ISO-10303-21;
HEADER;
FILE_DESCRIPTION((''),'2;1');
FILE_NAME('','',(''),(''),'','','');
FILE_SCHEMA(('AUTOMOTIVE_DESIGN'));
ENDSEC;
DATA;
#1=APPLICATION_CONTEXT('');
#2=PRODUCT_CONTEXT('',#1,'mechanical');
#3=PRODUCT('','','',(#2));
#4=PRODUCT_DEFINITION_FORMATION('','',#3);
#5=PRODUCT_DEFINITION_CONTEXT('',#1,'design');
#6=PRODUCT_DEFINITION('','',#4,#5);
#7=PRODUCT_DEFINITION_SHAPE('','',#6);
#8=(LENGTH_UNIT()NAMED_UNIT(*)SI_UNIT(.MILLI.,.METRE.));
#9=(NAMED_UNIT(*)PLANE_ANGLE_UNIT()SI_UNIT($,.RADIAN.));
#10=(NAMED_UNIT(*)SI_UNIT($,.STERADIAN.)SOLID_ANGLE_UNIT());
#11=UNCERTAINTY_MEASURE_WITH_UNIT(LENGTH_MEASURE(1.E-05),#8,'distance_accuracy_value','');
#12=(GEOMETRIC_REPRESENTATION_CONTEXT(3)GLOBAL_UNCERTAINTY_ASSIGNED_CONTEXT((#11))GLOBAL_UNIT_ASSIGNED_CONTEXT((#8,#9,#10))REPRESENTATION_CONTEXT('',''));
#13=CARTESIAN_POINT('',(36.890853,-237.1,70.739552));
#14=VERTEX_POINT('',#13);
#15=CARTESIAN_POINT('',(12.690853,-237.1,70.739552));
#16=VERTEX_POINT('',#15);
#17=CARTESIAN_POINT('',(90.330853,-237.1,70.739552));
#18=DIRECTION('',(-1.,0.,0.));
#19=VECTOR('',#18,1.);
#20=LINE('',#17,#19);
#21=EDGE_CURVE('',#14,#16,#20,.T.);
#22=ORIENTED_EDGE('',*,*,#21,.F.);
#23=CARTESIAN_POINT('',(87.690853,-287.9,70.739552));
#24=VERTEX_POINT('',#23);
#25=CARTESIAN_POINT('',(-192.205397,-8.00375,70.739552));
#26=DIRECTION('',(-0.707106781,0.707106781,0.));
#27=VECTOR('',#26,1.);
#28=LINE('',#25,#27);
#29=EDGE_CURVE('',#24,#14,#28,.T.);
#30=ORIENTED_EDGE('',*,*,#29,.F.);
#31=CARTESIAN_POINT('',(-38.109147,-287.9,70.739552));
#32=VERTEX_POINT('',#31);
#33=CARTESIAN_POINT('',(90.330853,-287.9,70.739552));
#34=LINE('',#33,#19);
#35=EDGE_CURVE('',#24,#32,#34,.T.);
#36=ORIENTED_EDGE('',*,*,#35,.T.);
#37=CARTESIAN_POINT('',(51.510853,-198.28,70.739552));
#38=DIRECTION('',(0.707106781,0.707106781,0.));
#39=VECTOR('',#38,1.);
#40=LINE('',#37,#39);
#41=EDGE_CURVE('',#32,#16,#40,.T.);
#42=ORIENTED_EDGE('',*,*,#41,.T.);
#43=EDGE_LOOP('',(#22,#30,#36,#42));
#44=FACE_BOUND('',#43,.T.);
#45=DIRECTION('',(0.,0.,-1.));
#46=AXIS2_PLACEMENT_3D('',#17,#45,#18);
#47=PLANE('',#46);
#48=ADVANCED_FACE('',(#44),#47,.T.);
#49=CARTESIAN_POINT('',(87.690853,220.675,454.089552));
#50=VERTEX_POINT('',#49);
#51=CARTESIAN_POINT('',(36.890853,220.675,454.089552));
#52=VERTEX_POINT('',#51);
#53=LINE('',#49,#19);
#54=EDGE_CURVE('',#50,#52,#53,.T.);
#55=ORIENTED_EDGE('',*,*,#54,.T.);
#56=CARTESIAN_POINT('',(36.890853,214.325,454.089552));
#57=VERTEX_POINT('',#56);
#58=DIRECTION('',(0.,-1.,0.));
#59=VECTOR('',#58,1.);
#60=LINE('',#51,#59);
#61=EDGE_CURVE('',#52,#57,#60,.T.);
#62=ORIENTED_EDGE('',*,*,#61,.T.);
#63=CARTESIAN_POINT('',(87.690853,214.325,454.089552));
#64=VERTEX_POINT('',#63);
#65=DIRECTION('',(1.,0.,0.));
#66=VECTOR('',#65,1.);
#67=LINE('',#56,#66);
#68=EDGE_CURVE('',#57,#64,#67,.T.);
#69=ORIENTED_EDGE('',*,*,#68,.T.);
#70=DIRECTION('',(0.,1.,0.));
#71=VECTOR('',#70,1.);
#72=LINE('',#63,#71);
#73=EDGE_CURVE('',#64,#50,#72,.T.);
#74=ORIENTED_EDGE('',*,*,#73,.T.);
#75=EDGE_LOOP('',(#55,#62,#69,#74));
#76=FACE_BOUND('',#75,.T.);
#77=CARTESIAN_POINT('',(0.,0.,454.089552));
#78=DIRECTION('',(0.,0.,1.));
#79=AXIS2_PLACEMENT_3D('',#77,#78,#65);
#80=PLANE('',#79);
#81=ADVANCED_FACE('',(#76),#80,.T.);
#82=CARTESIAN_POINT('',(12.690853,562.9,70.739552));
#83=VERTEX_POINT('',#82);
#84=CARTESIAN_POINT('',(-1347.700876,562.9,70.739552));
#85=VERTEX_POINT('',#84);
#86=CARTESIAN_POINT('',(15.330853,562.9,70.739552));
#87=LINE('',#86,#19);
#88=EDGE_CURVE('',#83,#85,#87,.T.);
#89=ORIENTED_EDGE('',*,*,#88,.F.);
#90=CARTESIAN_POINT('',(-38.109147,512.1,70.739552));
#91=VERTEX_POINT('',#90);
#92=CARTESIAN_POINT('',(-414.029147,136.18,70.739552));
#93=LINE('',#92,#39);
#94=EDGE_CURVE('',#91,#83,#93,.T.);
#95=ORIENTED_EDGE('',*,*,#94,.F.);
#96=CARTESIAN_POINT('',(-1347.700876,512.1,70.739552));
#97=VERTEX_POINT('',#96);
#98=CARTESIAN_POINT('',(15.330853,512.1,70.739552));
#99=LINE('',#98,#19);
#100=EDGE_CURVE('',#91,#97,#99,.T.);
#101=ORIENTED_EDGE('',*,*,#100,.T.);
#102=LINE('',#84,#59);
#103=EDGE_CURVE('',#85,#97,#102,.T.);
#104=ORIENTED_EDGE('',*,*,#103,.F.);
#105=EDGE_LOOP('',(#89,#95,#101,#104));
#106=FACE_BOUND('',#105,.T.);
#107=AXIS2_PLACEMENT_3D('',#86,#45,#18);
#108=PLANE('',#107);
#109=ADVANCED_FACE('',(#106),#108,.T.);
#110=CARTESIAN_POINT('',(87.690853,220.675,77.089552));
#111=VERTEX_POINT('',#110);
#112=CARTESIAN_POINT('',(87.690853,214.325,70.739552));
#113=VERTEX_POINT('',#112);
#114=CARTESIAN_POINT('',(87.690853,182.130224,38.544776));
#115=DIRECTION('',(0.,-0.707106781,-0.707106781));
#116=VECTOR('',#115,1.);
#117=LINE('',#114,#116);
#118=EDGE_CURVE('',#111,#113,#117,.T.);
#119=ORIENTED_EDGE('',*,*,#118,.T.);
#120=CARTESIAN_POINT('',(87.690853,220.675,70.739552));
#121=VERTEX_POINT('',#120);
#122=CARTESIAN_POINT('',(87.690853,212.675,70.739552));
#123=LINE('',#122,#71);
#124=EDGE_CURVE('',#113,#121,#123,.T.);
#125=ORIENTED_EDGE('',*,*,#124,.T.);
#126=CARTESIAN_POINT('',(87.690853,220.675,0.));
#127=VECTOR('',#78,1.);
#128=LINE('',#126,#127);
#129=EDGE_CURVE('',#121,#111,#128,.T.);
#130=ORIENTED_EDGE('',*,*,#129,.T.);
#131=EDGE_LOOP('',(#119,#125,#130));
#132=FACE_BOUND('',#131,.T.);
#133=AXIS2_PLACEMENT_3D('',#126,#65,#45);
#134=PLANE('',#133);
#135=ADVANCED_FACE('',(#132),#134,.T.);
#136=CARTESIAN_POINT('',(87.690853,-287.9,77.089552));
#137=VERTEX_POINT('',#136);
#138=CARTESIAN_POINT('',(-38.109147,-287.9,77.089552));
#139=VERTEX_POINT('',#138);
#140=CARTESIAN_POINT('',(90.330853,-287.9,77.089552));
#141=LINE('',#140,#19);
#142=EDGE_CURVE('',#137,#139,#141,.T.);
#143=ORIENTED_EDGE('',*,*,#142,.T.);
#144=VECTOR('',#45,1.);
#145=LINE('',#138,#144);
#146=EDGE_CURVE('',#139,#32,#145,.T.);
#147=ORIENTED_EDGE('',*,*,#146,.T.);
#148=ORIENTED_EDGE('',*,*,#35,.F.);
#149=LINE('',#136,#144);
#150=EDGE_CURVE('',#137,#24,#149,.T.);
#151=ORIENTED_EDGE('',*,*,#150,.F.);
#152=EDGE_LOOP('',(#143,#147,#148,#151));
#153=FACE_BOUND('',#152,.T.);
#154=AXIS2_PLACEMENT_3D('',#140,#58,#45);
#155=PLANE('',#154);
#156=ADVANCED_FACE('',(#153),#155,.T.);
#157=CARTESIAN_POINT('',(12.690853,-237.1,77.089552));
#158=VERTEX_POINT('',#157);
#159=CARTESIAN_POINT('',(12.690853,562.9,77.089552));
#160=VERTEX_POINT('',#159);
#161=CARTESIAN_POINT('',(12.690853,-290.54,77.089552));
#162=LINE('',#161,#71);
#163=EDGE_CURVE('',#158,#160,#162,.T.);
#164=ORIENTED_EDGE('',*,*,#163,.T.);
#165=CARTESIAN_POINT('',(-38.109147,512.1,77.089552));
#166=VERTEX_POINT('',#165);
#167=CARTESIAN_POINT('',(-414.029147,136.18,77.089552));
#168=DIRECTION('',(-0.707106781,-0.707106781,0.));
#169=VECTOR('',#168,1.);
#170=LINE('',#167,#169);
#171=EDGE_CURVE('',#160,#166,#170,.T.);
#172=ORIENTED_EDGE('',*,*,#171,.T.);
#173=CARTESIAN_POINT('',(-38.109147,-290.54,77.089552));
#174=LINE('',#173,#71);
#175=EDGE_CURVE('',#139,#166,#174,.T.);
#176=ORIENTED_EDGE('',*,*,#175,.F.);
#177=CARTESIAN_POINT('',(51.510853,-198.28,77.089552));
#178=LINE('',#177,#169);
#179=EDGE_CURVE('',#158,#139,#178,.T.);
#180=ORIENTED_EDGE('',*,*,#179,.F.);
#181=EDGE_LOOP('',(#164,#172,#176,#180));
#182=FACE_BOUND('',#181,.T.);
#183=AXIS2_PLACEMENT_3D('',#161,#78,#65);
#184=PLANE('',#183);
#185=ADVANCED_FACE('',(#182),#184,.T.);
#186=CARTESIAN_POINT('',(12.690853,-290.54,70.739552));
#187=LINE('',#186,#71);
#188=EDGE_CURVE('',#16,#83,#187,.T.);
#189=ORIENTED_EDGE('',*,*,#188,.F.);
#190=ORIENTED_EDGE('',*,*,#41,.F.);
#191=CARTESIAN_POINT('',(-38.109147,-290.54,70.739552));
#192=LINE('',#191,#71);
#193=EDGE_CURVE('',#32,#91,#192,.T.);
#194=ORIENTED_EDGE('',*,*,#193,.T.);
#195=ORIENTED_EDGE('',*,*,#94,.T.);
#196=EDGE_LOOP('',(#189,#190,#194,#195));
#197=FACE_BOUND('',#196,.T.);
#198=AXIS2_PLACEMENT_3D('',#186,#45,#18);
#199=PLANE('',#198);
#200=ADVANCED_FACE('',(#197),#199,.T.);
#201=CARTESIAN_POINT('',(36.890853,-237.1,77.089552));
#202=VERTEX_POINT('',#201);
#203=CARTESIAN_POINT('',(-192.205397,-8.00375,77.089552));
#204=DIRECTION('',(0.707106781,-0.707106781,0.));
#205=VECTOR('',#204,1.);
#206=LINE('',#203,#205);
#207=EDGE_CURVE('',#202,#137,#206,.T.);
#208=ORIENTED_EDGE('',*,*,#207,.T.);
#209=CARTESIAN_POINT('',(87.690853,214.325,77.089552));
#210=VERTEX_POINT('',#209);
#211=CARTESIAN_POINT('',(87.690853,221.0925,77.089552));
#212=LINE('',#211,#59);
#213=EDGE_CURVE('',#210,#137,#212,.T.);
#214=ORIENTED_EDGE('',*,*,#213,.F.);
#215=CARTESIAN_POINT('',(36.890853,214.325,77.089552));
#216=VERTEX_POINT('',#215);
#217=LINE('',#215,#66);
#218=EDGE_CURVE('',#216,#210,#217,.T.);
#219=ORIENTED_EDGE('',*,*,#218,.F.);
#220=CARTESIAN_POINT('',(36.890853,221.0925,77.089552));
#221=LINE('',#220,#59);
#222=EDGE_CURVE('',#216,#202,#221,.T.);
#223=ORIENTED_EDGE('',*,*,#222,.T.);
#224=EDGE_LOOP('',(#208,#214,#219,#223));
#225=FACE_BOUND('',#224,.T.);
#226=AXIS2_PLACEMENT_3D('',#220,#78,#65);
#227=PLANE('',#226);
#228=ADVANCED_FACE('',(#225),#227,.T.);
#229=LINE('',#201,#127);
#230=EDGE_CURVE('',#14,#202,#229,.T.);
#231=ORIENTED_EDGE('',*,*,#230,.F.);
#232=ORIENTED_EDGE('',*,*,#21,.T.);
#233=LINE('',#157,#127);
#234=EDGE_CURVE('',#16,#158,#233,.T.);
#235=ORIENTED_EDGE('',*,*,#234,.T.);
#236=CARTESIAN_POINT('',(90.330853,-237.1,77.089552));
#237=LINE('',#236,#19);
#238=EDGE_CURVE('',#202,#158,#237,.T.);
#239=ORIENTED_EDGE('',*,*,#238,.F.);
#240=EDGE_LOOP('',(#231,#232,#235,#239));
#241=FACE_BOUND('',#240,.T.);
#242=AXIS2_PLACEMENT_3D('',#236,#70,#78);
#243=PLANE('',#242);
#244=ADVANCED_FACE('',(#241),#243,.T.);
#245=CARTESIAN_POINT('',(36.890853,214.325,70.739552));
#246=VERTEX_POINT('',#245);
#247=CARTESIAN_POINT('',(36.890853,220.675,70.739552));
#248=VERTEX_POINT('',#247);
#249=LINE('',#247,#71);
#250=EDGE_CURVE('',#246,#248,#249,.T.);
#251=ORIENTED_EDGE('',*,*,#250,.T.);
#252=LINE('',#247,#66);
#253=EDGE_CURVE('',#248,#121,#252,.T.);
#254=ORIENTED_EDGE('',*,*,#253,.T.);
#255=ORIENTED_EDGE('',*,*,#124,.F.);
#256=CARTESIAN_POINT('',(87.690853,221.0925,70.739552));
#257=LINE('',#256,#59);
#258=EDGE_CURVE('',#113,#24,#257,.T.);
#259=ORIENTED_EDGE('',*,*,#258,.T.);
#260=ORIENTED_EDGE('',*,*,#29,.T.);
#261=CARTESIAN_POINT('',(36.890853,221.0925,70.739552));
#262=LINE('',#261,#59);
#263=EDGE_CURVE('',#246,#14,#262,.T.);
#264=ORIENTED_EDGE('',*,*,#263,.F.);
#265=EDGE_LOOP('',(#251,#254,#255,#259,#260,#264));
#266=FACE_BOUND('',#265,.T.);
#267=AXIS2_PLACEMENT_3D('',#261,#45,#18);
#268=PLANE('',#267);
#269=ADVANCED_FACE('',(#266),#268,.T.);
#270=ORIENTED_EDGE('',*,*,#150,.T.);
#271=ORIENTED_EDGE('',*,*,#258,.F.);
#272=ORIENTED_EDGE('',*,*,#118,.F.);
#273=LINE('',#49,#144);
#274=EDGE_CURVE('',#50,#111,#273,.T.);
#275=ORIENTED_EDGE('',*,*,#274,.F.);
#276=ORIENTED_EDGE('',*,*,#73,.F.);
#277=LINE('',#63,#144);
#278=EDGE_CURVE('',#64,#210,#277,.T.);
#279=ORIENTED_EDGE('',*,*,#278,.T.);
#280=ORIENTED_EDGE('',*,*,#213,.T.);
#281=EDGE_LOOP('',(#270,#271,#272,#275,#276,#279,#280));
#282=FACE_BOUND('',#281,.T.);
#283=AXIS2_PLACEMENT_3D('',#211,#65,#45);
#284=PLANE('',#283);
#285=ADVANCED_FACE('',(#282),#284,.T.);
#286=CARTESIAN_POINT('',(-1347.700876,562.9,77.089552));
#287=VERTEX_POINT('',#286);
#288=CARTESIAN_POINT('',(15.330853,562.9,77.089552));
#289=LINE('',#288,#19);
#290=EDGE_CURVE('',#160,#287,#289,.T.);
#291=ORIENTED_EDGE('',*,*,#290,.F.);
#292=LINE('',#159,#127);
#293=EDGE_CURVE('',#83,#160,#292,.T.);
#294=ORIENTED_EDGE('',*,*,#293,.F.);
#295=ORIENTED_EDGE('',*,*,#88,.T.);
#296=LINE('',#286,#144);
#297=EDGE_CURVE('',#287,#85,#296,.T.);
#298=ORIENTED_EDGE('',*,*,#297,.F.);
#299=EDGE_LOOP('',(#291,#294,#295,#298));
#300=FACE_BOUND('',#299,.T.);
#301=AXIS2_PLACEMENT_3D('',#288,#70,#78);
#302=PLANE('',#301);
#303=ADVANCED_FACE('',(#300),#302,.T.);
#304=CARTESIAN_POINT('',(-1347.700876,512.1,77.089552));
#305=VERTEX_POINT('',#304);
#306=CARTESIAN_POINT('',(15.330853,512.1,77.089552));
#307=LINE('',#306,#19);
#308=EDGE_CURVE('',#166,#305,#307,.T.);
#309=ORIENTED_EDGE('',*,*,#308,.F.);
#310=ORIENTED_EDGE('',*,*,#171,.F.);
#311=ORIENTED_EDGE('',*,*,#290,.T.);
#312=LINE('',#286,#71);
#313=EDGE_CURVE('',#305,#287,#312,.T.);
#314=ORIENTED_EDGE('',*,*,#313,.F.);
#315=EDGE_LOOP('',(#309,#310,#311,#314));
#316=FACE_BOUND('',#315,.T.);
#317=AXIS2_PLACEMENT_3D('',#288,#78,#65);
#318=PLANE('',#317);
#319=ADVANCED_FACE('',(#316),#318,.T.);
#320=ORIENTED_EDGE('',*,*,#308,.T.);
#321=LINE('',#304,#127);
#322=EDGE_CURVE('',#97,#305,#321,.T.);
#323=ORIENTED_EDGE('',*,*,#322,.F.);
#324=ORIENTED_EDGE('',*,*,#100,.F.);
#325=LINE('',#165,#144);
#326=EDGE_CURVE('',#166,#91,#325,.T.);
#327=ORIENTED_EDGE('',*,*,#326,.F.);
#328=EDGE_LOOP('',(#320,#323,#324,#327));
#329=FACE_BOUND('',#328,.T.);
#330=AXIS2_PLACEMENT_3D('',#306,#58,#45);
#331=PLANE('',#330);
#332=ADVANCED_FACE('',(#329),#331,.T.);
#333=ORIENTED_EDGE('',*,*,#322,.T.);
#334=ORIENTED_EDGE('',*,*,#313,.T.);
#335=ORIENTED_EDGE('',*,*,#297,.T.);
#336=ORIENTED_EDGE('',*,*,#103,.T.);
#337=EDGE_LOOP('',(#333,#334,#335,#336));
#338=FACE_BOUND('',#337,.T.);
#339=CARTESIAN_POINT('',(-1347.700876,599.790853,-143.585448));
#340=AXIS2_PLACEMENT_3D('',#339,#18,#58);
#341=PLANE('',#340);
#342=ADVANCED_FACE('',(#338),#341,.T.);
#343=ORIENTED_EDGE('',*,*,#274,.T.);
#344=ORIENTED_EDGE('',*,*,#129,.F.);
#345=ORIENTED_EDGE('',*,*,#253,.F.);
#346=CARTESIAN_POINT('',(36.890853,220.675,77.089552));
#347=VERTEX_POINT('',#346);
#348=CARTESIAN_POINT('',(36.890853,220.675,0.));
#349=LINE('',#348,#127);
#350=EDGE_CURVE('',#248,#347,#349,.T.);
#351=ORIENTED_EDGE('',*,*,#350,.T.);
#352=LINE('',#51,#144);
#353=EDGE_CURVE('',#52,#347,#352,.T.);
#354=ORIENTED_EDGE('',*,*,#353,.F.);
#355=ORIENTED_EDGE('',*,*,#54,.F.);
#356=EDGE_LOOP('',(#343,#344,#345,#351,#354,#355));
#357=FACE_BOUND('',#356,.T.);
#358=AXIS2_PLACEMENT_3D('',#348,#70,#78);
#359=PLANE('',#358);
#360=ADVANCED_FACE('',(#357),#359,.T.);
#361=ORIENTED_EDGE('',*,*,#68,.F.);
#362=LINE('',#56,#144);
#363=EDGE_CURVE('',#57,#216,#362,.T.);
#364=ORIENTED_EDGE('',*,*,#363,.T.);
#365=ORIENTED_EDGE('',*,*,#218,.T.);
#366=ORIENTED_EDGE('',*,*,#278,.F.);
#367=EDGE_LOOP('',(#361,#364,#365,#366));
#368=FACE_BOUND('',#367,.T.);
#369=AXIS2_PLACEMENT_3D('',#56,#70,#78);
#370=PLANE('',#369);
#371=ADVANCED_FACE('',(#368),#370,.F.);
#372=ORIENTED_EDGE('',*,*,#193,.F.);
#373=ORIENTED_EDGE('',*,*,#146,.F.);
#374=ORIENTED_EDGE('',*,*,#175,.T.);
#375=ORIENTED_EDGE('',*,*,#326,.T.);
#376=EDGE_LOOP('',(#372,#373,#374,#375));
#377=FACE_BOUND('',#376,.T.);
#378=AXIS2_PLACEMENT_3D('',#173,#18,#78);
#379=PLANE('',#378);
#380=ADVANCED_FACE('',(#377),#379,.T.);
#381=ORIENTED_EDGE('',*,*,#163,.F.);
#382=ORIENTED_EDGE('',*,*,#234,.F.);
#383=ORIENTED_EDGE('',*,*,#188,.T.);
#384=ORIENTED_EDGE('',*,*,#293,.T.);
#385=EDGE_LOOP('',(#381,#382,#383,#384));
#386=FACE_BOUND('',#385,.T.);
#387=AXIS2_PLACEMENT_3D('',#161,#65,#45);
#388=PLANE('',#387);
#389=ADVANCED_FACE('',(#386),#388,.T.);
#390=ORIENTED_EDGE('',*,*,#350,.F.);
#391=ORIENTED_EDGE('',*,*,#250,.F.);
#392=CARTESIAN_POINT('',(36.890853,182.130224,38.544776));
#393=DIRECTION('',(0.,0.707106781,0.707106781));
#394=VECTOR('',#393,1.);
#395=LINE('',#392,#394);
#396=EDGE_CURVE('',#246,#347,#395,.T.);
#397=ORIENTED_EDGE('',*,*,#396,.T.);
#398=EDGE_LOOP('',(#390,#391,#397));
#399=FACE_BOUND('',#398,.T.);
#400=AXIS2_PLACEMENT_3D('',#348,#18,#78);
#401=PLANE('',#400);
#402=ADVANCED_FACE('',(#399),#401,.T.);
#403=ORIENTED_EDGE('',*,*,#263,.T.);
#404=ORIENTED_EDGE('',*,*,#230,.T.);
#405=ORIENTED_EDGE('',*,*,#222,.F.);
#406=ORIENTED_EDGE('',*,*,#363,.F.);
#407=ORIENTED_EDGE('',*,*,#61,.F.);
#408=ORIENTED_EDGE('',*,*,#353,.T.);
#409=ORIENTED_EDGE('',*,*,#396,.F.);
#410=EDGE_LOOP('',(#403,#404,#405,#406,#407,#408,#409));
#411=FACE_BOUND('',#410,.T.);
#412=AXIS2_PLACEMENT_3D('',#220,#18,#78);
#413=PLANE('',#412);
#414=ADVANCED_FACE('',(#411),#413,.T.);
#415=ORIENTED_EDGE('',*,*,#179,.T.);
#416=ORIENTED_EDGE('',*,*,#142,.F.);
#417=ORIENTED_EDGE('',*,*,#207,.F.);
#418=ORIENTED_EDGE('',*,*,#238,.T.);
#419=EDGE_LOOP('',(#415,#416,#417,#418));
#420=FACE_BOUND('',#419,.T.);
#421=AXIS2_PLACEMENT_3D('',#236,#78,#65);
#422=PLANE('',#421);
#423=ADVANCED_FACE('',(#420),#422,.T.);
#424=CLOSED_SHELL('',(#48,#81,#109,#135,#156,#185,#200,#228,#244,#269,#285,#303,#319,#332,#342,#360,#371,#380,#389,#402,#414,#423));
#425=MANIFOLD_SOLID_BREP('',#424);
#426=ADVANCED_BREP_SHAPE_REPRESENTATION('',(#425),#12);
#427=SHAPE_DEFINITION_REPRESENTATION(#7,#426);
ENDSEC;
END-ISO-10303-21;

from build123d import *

# Parameters (mm, degrees)
CROQUIS3_W              = 50.8
CROQUIS3_H              = 6.35
CROQUIS4_W              = 50.8
CROQUIS4_H              = 6.35
SALIENTE_EXTRUIR1_DEPTH = 377
CROQUIS5_W              = 50.8
CROQUIS5_H              = 70.739551551
CORTAR_EXTRUIR1_DEPTH   = 8


with BuildPart() as part:
    # Barrer1: sweep along a curve in space
    with BuildLine() as barrer1_path:
        Line((62.290853195, 217.5, 0), (62.290853195, 217.5, 73.914551551))
        Line((62.290853195, 217.5, 73.914551551), (62.290853195, -262.5, 73.914551551))
        Line((62.290853195, -262.5, 73.914551551), (-12.709146805, -262.5, 73.914551551))
        Line((-12.709146805, -262.5, 73.914551551), (-12.709146805, 537.5, 73.914551551))
        Line((-12.709146805, 537.5, 73.914551551), (-1347.700875805, 537.5, 73.914551551))
    # Croquis3 → Barrer1 (sweep)
    with BuildSketch(Plane.XY):
        with Locations((62.290853195, 217.5)):
            Rectangle(CROQUIS3_W, CROQUIS3_H)
    sweep(path=barrer1_path.line, transition=Transition.RIGHT)

    # Croquis4 → Saliente-Extruir1 (add)
    with BuildSketch(Plane.XY.offset(77.089551551)):
        with Locations((62.290853195, 217.5)):
            Rectangle(CROQUIS4_W, CROQUIS4_H)
    extrude(amount=SALIENTE_EXTRUIR1_DEPTH)

    # Croquis5 → Cortar-Extruir1 (cut)
    with BuildSketch(Plane(origin=(0, 220.675, 0), x_dir=(1, 0, 0), z_dir=(0, 1, 0))):
        with Locations((62.290853195, -35.369775776)):
            Rectangle(CROQUIS5_W, CROQUIS5_H)
    extrude(amount=-CORTAR_EXTRUIR1_DEPTH, mode=Mode.SUBTRACT)


solid = part.part
